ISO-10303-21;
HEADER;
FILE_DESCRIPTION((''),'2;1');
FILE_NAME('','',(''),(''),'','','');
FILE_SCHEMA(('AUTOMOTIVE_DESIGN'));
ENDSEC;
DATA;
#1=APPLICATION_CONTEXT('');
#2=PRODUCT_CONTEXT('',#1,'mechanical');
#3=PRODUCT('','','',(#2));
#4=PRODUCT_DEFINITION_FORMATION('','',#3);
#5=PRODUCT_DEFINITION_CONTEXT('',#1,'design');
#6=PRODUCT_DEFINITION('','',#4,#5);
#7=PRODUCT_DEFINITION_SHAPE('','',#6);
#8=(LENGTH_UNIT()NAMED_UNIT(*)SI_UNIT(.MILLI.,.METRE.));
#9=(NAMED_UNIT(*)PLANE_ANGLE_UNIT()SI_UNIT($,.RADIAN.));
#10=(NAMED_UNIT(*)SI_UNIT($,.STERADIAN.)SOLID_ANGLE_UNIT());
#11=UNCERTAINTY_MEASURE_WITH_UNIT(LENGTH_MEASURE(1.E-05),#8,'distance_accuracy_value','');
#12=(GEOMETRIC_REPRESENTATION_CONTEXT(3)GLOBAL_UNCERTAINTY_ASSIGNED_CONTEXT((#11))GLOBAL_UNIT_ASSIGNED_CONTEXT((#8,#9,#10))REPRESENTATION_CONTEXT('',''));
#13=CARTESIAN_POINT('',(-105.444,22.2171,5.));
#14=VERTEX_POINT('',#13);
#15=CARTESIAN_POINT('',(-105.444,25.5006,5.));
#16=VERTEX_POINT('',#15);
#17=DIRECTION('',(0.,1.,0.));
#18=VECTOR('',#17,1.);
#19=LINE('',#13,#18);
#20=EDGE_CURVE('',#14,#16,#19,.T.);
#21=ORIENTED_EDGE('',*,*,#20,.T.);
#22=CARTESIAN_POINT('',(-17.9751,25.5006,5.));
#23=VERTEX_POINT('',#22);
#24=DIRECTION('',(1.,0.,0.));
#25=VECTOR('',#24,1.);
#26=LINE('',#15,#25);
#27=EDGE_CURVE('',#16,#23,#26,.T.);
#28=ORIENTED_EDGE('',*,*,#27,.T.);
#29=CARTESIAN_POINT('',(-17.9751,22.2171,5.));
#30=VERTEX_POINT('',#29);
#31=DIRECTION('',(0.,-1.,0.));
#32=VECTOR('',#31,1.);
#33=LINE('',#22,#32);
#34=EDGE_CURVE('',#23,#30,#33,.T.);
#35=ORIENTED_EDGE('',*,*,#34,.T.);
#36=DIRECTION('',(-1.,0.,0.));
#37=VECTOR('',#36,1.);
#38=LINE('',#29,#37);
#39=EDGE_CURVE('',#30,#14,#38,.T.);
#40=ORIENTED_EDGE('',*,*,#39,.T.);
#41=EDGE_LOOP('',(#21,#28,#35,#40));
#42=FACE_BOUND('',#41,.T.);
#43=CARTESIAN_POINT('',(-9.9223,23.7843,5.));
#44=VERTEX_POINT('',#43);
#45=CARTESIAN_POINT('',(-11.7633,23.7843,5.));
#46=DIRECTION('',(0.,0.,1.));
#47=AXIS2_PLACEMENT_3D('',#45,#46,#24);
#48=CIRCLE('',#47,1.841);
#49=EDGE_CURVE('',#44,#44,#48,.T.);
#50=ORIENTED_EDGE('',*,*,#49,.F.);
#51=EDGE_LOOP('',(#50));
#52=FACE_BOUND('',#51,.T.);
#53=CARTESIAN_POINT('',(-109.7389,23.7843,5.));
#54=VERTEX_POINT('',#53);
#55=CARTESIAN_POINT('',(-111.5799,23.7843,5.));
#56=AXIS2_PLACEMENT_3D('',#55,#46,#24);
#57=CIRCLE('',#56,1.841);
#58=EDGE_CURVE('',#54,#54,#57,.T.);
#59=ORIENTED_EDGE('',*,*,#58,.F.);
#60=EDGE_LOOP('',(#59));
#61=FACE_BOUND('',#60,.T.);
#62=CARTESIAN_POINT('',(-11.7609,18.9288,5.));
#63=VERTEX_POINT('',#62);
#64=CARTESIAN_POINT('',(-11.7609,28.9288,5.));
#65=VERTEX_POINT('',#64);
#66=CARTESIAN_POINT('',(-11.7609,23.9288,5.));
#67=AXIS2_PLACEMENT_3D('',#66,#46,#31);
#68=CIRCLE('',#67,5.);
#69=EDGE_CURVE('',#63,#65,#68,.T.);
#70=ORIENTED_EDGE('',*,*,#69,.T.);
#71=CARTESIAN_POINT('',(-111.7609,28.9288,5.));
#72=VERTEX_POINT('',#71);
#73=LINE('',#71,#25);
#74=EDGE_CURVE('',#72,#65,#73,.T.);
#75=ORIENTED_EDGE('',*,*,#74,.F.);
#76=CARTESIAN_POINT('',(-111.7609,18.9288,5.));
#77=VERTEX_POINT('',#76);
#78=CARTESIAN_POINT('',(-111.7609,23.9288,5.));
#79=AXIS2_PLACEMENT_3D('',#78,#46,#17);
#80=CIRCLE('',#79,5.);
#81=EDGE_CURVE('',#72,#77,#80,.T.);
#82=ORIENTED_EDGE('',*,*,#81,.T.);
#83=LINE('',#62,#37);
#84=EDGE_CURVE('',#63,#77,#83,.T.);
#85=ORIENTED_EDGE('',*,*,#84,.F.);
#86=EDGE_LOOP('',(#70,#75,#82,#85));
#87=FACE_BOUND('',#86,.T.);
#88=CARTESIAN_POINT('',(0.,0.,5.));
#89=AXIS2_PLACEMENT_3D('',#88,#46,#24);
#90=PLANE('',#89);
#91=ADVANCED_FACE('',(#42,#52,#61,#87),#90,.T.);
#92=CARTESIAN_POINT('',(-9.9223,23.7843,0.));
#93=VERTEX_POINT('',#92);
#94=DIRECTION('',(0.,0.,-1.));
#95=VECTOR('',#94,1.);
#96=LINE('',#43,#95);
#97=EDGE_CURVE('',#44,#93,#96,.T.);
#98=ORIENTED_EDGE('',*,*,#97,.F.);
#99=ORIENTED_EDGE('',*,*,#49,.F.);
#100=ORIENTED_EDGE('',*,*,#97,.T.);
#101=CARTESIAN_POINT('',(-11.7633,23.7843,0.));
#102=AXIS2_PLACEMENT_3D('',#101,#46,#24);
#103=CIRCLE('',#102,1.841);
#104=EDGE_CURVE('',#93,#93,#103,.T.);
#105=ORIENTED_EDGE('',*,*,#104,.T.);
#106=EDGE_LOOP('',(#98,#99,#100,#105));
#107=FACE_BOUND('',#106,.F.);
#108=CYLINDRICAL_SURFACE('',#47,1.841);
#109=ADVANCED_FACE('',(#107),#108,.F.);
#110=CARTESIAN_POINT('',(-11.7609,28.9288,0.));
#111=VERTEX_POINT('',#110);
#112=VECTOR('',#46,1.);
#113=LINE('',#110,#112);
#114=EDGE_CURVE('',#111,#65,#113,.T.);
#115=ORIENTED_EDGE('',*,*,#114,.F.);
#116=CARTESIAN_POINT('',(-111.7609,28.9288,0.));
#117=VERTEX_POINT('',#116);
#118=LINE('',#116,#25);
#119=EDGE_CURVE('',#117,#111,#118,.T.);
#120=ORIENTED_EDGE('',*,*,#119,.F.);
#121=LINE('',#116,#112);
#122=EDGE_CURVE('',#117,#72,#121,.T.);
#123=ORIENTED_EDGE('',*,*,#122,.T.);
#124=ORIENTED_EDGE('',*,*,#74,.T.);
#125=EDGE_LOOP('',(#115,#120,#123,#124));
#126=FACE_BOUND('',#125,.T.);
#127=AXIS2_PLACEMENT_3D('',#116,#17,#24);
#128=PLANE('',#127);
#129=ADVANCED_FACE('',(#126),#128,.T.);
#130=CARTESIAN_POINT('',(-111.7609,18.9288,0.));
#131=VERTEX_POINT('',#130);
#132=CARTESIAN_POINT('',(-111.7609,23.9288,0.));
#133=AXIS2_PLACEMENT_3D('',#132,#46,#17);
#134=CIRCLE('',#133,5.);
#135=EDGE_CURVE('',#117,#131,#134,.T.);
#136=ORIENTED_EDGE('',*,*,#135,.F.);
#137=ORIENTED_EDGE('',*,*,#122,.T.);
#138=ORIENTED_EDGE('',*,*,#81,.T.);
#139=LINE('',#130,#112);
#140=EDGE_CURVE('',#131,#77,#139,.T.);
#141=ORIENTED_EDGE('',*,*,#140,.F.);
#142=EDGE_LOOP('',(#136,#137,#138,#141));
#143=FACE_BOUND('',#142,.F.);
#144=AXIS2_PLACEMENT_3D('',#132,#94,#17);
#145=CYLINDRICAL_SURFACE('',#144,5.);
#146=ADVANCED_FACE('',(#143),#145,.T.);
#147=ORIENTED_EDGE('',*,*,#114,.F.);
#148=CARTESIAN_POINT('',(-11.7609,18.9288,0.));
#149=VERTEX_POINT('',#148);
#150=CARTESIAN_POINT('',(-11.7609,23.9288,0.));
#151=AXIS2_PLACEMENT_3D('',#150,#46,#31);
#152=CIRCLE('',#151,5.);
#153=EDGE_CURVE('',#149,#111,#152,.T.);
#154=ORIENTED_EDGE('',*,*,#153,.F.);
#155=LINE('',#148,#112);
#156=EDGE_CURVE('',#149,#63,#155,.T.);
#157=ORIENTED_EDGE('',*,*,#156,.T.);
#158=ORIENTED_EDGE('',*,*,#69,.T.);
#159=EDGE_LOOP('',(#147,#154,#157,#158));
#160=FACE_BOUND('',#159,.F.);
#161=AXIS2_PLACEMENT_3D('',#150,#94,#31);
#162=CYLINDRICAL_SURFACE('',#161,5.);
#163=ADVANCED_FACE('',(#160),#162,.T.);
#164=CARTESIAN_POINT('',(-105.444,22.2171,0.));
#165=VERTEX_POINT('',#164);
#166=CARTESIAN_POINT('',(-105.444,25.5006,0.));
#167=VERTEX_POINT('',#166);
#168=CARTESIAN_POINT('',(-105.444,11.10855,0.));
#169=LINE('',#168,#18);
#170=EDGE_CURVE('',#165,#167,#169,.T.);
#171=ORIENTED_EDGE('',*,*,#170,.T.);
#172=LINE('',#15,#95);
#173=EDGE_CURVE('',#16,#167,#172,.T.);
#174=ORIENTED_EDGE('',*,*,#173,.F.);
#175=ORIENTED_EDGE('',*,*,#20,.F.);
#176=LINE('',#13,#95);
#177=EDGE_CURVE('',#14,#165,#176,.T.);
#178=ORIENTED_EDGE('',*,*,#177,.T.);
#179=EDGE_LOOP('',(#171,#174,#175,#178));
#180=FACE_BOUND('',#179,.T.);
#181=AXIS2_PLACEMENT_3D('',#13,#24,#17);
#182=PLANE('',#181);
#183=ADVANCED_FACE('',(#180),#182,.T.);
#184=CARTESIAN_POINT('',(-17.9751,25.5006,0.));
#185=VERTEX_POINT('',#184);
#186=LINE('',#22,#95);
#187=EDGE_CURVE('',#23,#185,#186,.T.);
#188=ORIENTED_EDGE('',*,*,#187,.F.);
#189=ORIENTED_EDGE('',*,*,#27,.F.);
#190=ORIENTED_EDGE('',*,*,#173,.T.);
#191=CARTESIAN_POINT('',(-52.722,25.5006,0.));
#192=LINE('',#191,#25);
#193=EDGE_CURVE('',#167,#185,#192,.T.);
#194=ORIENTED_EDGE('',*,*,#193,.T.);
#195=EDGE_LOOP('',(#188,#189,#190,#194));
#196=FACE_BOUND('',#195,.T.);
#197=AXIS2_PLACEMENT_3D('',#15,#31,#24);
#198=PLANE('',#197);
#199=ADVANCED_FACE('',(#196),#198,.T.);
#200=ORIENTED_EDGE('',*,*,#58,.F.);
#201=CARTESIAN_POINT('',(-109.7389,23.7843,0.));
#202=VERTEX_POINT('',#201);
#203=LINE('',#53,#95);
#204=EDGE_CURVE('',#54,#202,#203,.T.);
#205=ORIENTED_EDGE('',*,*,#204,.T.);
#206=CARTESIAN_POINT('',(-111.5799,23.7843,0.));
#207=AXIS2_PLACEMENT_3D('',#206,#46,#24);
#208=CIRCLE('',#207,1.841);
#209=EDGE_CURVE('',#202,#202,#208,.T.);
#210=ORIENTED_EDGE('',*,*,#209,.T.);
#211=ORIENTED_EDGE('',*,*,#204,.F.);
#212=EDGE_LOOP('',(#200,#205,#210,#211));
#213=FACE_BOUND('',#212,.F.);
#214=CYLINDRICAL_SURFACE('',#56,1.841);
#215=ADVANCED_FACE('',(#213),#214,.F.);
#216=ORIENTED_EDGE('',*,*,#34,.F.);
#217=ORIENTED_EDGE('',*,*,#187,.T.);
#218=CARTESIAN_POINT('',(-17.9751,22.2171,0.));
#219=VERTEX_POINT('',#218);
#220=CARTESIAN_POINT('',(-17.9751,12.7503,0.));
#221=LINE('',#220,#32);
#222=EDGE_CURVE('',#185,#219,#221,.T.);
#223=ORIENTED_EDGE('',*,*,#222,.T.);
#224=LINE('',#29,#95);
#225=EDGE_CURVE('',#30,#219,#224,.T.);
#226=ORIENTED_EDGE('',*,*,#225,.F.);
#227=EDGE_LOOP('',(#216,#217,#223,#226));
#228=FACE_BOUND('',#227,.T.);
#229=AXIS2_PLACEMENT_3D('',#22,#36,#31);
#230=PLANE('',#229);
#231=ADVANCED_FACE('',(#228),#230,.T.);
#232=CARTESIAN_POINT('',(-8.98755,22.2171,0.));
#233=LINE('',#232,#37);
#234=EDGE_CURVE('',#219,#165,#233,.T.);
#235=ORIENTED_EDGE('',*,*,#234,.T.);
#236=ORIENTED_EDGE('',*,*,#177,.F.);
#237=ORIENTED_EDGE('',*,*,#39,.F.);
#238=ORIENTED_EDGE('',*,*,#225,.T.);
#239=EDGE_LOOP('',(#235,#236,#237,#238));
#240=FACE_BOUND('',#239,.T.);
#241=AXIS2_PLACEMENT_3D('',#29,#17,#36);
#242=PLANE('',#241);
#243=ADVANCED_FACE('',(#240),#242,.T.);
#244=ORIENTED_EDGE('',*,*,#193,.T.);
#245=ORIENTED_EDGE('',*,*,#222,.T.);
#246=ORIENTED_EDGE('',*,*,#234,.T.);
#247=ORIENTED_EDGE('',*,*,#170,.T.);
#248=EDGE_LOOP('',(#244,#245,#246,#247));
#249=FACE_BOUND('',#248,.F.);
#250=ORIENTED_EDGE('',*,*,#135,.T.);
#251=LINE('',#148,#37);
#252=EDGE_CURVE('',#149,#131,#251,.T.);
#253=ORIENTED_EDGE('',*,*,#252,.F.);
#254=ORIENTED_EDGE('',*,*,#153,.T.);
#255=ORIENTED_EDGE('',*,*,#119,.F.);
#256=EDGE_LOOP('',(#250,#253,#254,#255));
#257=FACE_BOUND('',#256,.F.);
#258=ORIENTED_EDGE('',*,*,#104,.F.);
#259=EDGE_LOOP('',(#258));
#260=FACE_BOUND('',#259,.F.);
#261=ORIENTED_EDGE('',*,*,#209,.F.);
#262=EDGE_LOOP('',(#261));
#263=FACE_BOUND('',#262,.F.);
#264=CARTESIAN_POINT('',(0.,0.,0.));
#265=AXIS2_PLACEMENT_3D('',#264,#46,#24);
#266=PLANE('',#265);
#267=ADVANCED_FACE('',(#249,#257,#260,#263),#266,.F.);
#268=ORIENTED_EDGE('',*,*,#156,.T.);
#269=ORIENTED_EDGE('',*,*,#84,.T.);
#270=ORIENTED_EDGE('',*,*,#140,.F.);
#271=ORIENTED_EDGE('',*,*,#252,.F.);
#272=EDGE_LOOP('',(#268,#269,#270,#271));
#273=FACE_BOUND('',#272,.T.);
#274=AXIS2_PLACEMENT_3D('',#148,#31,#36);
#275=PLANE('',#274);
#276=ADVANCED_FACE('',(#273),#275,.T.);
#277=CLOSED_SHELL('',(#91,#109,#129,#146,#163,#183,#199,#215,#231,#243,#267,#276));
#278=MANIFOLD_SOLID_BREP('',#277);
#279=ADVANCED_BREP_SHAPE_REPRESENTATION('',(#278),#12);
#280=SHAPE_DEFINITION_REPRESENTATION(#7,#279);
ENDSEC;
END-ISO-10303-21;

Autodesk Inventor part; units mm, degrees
ref_plane "YZ Plane" through (0, 0, 0) normal (1, 0, 0) x (0, 1, 0)
ref_plane "XZ Plane" through (0, 0, 0) normal (0, 1, 0) x (-1, 0, 0)
ref_plane "XY Plane" through (0, 0, 0) normal (0, 0, 1) x (1, 0, 0)
sketch "Sketch1" plane through (0, 0, 0) normal (0, 0, 1) x (1, 0, 0)
  line L0 (-111.7609, 28.9288) -> (-11.7609, 28.9288)
  line L1 (-11.7609, 28.9288) -> (-11.7609, 18.9288)
  line L2 (-11.7609, 18.9288) -> (-111.7609, 18.9288)
  line L3 (-111.7609, 18.9288) -> (-111.7609, 28.9288)
  arc A0 (-111.7609, 28.9288) -> (-111.7609, 18.9288) centre (-111.7609, 23.9288) ccw
  arc A1 (-11.7609, 18.9288) -> (-11.7609, 28.9288) centre (-11.7609, 23.9288) ccw
  point P0 (0, 0)
  point P1 (-105.9495, 22.4367)
extrude "Extrusion1" add sketch "Sketch1" along normal blind 5
sketch "Sketch2" plane through (0, 0, 5) normal (0, 0, 1) x (1, 0, 0)
  circle A0 centre (-11.7633, 23.7843) radius 1.841
  circle A1 centre (-111.5799, 23.7843) radius 1.841
  point P0 (0, 0)
extrude "Extrusion2" cut sketch "Sketch2" against normal blind 5
sketch "Sketch3" plane through (0, 0, 5) normal (0, 0, 1) x (1, 0, 0)
  line L0 (-105.444, 25.5006) -> (-17.9751, 25.5006)
  line L1 (-17.9751, 25.5006) -> (-17.9751, 22.2171)
  line L2 (-17.9751, 22.2171) -> (-105.444, 22.2171)
  line L3 (-105.444, 22.2171) -> (-105.444, 25.5006)
  point P0 (0, 0)
extrude "Extrusion3" cut sketch "Sketch3" against normal blind 10
properties part number "Bracket"
